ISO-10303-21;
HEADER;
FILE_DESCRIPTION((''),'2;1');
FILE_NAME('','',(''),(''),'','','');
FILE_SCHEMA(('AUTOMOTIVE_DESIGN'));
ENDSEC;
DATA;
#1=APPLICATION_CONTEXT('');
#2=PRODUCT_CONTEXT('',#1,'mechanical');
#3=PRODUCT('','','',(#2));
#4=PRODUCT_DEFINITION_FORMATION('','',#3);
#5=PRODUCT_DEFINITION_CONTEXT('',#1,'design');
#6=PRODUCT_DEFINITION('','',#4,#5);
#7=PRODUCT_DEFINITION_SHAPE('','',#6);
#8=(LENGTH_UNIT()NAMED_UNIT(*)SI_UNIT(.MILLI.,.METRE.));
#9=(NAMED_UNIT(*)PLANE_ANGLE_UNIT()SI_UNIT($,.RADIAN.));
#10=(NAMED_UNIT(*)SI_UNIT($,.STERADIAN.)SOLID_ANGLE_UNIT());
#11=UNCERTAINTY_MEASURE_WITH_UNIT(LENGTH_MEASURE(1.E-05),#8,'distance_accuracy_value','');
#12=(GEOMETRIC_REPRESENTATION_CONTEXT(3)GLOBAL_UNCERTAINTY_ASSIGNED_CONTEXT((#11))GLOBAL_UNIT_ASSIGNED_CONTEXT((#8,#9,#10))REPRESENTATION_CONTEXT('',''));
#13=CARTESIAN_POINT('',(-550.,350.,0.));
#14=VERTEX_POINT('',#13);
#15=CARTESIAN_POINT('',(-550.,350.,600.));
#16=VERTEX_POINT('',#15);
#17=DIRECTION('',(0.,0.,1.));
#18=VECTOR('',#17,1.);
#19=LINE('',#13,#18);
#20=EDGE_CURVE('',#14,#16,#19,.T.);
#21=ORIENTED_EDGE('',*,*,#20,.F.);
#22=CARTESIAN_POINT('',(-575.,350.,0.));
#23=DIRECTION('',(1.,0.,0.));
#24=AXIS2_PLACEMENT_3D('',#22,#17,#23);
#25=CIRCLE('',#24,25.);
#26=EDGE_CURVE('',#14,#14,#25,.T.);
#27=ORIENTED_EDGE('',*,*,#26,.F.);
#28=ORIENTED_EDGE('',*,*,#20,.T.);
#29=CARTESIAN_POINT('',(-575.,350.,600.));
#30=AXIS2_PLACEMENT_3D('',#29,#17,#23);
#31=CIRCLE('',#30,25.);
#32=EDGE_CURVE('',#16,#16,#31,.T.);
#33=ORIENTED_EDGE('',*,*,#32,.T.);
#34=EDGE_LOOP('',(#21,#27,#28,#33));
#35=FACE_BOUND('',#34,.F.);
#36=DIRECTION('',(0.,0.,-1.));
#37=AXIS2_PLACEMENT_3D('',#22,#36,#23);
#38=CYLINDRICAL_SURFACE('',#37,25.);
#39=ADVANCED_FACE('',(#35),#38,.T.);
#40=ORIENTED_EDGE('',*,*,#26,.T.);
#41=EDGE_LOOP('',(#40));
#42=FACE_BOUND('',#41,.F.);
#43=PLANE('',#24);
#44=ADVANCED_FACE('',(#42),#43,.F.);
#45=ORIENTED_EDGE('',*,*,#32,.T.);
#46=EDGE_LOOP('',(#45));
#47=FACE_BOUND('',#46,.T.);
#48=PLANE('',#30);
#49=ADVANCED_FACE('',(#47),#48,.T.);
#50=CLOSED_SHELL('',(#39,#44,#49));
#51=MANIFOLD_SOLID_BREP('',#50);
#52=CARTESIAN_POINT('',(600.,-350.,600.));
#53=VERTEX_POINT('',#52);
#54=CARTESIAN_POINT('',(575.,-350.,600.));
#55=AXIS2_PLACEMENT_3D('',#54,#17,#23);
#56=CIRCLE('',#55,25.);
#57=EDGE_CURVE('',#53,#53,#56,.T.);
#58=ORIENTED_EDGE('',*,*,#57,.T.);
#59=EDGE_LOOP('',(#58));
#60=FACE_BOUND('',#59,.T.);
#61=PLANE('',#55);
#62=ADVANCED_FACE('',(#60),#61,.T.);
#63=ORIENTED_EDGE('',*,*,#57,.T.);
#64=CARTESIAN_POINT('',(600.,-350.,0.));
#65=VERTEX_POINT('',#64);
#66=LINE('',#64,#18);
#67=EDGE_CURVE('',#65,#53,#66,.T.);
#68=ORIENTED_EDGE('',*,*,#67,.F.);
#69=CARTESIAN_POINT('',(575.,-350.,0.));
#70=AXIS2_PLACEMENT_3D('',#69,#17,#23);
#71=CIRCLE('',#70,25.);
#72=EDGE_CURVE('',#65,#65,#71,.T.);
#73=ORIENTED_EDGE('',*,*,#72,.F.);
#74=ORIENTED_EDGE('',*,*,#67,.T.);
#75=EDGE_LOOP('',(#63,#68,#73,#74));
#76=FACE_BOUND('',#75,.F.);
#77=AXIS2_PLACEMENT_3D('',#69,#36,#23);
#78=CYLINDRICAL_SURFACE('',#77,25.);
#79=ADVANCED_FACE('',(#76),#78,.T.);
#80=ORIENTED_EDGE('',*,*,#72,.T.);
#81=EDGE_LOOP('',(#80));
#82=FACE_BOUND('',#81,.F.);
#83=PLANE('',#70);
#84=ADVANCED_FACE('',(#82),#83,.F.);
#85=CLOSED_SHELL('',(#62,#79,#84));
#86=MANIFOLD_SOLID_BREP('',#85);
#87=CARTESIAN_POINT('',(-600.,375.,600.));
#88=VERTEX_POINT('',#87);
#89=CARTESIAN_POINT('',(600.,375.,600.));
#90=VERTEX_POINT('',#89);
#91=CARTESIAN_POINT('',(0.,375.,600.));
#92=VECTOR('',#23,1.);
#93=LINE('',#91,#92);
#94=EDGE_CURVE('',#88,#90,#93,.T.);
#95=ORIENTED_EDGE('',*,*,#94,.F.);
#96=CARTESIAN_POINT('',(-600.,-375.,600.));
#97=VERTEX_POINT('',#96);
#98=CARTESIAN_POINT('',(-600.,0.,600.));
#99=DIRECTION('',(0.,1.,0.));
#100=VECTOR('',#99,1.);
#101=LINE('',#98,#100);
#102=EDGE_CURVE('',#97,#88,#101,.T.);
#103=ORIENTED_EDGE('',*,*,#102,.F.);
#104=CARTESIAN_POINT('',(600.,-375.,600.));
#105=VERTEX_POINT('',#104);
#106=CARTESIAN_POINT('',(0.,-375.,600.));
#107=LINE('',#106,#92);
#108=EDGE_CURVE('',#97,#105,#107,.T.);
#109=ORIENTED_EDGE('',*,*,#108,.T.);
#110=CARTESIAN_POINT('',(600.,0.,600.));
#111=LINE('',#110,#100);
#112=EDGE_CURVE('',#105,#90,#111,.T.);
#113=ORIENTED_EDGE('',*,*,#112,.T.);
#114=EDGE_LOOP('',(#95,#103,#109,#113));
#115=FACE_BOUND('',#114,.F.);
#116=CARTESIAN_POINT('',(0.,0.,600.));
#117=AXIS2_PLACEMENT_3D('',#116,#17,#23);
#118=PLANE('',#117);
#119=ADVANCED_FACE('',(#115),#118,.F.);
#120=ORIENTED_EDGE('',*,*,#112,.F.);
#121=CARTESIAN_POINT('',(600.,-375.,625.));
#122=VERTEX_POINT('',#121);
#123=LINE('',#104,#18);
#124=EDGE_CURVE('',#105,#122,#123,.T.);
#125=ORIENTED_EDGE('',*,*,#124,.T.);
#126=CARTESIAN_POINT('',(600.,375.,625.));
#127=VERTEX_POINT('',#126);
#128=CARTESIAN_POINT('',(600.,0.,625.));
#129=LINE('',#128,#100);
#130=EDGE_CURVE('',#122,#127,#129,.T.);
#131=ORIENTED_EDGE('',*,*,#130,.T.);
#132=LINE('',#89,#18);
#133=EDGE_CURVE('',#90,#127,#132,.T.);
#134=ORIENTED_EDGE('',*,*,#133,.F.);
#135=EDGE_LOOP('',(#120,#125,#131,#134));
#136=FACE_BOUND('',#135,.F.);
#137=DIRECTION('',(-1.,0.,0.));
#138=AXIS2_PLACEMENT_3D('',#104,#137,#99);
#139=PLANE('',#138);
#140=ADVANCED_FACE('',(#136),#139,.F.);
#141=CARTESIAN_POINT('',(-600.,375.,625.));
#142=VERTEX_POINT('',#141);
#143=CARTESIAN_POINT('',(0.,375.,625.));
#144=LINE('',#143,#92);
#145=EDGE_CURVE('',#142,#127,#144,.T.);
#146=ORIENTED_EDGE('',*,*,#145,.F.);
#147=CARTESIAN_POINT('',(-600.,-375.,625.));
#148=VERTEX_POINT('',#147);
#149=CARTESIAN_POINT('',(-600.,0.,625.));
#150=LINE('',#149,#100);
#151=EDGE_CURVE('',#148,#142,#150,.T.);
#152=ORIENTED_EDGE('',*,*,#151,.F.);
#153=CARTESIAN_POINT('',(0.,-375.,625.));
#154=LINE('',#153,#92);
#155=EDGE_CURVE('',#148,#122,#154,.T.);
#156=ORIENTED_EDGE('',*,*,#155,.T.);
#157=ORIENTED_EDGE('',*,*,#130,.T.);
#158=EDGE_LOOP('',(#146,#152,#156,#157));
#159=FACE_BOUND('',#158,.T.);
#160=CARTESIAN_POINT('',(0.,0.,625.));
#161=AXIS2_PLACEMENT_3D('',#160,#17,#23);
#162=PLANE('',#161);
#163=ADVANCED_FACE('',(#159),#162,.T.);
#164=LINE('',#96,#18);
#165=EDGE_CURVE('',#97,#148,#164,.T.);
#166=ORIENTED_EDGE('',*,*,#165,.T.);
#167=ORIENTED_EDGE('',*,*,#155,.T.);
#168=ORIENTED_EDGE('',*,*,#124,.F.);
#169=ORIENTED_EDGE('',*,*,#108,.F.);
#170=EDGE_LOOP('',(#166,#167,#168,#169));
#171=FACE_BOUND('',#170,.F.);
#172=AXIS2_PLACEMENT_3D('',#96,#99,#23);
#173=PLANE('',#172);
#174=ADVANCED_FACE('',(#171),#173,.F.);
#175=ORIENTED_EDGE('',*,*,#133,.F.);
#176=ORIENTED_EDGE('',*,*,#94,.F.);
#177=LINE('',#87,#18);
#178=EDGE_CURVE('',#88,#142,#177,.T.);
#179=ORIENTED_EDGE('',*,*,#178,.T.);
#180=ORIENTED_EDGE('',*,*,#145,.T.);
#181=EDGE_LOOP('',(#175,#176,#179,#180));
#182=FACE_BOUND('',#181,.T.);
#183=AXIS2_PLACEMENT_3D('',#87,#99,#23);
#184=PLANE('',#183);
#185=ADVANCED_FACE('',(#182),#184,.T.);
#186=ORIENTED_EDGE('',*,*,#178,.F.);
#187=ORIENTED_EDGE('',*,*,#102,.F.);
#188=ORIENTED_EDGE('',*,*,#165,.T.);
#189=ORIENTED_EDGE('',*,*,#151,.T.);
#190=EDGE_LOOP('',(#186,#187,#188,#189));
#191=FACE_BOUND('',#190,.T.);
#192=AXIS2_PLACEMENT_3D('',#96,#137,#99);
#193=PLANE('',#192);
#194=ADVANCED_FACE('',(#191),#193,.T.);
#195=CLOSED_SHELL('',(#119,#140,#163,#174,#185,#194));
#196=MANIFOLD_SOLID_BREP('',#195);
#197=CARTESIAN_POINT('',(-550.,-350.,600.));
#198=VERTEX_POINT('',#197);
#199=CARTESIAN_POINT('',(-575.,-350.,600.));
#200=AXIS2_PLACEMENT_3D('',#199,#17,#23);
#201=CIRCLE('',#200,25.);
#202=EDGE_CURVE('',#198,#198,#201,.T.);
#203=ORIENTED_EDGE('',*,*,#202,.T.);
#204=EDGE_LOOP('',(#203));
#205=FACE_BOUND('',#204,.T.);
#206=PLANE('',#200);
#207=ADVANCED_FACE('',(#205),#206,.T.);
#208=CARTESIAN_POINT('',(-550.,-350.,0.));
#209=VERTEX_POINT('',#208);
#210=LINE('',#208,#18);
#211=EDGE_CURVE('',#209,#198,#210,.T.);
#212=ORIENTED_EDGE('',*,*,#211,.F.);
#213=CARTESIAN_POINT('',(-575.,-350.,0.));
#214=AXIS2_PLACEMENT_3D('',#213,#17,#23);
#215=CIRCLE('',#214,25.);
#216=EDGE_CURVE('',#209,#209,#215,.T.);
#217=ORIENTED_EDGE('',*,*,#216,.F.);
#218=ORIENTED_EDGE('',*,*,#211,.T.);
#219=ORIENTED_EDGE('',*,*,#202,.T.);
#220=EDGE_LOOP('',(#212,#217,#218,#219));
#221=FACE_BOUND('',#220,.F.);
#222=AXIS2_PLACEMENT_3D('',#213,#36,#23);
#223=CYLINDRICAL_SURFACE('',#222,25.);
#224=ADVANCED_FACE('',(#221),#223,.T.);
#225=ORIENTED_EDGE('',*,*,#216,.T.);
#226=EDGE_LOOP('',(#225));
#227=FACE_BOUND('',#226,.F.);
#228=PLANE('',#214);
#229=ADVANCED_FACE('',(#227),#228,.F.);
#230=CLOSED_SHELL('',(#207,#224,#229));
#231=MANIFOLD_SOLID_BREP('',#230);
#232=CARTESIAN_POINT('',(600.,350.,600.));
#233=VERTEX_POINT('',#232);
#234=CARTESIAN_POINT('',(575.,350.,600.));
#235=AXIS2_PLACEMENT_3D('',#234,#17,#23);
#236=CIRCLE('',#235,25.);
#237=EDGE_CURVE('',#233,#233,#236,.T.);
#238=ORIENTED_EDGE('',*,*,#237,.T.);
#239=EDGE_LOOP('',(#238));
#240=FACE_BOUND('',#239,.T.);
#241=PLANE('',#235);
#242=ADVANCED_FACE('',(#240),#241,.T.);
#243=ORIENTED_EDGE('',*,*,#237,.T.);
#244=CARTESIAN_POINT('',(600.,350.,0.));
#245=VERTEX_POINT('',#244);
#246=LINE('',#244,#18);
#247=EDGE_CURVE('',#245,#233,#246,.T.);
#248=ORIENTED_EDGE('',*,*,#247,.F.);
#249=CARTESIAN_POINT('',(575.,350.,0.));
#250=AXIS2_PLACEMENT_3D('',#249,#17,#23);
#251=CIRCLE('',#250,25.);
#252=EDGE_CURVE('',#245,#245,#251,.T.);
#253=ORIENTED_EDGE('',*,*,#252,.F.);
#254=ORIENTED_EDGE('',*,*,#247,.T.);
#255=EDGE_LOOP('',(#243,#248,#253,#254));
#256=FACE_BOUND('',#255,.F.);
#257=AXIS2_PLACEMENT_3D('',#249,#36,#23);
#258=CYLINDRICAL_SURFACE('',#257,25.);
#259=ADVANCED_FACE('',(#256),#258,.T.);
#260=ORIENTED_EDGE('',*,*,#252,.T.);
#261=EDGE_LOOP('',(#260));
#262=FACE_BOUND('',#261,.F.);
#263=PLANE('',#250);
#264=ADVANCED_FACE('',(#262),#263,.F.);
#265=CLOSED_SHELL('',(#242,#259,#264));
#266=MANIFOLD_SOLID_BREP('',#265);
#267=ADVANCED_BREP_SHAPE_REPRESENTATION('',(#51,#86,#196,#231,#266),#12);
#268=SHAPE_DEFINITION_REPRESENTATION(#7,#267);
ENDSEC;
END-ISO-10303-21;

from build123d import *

# Parameters (mm, degrees)
F1_R     = 25
F3_DEPTH = 600
F2_W     = 1200
F2_H     = 750
F4_DEPTH = 25


with BuildPart() as f3:
    # F1 (on Top) → F3 (new body)
    with BuildSketch(Plane.XY):
        with Locations((-575, 350)):
            Circle(F1_R)
        with Locations((-575, -350)):
            Circle(F1_R)
        with Locations((575, -350)):
            Circle(F1_R)
        with Locations((575, 350)):
            Circle(F1_R)
    extrude(amount=F3_DEPTH)


with BuildPart() as f4:
    # F2 (on offset) → F4 (new body)
    with BuildSketch(Plane.XY.offset(600)):
        Rectangle(F2_W, F2_H)
    extrude(amount=F4_DEPTH)


solid = Compound([f3.part, f4.part])
